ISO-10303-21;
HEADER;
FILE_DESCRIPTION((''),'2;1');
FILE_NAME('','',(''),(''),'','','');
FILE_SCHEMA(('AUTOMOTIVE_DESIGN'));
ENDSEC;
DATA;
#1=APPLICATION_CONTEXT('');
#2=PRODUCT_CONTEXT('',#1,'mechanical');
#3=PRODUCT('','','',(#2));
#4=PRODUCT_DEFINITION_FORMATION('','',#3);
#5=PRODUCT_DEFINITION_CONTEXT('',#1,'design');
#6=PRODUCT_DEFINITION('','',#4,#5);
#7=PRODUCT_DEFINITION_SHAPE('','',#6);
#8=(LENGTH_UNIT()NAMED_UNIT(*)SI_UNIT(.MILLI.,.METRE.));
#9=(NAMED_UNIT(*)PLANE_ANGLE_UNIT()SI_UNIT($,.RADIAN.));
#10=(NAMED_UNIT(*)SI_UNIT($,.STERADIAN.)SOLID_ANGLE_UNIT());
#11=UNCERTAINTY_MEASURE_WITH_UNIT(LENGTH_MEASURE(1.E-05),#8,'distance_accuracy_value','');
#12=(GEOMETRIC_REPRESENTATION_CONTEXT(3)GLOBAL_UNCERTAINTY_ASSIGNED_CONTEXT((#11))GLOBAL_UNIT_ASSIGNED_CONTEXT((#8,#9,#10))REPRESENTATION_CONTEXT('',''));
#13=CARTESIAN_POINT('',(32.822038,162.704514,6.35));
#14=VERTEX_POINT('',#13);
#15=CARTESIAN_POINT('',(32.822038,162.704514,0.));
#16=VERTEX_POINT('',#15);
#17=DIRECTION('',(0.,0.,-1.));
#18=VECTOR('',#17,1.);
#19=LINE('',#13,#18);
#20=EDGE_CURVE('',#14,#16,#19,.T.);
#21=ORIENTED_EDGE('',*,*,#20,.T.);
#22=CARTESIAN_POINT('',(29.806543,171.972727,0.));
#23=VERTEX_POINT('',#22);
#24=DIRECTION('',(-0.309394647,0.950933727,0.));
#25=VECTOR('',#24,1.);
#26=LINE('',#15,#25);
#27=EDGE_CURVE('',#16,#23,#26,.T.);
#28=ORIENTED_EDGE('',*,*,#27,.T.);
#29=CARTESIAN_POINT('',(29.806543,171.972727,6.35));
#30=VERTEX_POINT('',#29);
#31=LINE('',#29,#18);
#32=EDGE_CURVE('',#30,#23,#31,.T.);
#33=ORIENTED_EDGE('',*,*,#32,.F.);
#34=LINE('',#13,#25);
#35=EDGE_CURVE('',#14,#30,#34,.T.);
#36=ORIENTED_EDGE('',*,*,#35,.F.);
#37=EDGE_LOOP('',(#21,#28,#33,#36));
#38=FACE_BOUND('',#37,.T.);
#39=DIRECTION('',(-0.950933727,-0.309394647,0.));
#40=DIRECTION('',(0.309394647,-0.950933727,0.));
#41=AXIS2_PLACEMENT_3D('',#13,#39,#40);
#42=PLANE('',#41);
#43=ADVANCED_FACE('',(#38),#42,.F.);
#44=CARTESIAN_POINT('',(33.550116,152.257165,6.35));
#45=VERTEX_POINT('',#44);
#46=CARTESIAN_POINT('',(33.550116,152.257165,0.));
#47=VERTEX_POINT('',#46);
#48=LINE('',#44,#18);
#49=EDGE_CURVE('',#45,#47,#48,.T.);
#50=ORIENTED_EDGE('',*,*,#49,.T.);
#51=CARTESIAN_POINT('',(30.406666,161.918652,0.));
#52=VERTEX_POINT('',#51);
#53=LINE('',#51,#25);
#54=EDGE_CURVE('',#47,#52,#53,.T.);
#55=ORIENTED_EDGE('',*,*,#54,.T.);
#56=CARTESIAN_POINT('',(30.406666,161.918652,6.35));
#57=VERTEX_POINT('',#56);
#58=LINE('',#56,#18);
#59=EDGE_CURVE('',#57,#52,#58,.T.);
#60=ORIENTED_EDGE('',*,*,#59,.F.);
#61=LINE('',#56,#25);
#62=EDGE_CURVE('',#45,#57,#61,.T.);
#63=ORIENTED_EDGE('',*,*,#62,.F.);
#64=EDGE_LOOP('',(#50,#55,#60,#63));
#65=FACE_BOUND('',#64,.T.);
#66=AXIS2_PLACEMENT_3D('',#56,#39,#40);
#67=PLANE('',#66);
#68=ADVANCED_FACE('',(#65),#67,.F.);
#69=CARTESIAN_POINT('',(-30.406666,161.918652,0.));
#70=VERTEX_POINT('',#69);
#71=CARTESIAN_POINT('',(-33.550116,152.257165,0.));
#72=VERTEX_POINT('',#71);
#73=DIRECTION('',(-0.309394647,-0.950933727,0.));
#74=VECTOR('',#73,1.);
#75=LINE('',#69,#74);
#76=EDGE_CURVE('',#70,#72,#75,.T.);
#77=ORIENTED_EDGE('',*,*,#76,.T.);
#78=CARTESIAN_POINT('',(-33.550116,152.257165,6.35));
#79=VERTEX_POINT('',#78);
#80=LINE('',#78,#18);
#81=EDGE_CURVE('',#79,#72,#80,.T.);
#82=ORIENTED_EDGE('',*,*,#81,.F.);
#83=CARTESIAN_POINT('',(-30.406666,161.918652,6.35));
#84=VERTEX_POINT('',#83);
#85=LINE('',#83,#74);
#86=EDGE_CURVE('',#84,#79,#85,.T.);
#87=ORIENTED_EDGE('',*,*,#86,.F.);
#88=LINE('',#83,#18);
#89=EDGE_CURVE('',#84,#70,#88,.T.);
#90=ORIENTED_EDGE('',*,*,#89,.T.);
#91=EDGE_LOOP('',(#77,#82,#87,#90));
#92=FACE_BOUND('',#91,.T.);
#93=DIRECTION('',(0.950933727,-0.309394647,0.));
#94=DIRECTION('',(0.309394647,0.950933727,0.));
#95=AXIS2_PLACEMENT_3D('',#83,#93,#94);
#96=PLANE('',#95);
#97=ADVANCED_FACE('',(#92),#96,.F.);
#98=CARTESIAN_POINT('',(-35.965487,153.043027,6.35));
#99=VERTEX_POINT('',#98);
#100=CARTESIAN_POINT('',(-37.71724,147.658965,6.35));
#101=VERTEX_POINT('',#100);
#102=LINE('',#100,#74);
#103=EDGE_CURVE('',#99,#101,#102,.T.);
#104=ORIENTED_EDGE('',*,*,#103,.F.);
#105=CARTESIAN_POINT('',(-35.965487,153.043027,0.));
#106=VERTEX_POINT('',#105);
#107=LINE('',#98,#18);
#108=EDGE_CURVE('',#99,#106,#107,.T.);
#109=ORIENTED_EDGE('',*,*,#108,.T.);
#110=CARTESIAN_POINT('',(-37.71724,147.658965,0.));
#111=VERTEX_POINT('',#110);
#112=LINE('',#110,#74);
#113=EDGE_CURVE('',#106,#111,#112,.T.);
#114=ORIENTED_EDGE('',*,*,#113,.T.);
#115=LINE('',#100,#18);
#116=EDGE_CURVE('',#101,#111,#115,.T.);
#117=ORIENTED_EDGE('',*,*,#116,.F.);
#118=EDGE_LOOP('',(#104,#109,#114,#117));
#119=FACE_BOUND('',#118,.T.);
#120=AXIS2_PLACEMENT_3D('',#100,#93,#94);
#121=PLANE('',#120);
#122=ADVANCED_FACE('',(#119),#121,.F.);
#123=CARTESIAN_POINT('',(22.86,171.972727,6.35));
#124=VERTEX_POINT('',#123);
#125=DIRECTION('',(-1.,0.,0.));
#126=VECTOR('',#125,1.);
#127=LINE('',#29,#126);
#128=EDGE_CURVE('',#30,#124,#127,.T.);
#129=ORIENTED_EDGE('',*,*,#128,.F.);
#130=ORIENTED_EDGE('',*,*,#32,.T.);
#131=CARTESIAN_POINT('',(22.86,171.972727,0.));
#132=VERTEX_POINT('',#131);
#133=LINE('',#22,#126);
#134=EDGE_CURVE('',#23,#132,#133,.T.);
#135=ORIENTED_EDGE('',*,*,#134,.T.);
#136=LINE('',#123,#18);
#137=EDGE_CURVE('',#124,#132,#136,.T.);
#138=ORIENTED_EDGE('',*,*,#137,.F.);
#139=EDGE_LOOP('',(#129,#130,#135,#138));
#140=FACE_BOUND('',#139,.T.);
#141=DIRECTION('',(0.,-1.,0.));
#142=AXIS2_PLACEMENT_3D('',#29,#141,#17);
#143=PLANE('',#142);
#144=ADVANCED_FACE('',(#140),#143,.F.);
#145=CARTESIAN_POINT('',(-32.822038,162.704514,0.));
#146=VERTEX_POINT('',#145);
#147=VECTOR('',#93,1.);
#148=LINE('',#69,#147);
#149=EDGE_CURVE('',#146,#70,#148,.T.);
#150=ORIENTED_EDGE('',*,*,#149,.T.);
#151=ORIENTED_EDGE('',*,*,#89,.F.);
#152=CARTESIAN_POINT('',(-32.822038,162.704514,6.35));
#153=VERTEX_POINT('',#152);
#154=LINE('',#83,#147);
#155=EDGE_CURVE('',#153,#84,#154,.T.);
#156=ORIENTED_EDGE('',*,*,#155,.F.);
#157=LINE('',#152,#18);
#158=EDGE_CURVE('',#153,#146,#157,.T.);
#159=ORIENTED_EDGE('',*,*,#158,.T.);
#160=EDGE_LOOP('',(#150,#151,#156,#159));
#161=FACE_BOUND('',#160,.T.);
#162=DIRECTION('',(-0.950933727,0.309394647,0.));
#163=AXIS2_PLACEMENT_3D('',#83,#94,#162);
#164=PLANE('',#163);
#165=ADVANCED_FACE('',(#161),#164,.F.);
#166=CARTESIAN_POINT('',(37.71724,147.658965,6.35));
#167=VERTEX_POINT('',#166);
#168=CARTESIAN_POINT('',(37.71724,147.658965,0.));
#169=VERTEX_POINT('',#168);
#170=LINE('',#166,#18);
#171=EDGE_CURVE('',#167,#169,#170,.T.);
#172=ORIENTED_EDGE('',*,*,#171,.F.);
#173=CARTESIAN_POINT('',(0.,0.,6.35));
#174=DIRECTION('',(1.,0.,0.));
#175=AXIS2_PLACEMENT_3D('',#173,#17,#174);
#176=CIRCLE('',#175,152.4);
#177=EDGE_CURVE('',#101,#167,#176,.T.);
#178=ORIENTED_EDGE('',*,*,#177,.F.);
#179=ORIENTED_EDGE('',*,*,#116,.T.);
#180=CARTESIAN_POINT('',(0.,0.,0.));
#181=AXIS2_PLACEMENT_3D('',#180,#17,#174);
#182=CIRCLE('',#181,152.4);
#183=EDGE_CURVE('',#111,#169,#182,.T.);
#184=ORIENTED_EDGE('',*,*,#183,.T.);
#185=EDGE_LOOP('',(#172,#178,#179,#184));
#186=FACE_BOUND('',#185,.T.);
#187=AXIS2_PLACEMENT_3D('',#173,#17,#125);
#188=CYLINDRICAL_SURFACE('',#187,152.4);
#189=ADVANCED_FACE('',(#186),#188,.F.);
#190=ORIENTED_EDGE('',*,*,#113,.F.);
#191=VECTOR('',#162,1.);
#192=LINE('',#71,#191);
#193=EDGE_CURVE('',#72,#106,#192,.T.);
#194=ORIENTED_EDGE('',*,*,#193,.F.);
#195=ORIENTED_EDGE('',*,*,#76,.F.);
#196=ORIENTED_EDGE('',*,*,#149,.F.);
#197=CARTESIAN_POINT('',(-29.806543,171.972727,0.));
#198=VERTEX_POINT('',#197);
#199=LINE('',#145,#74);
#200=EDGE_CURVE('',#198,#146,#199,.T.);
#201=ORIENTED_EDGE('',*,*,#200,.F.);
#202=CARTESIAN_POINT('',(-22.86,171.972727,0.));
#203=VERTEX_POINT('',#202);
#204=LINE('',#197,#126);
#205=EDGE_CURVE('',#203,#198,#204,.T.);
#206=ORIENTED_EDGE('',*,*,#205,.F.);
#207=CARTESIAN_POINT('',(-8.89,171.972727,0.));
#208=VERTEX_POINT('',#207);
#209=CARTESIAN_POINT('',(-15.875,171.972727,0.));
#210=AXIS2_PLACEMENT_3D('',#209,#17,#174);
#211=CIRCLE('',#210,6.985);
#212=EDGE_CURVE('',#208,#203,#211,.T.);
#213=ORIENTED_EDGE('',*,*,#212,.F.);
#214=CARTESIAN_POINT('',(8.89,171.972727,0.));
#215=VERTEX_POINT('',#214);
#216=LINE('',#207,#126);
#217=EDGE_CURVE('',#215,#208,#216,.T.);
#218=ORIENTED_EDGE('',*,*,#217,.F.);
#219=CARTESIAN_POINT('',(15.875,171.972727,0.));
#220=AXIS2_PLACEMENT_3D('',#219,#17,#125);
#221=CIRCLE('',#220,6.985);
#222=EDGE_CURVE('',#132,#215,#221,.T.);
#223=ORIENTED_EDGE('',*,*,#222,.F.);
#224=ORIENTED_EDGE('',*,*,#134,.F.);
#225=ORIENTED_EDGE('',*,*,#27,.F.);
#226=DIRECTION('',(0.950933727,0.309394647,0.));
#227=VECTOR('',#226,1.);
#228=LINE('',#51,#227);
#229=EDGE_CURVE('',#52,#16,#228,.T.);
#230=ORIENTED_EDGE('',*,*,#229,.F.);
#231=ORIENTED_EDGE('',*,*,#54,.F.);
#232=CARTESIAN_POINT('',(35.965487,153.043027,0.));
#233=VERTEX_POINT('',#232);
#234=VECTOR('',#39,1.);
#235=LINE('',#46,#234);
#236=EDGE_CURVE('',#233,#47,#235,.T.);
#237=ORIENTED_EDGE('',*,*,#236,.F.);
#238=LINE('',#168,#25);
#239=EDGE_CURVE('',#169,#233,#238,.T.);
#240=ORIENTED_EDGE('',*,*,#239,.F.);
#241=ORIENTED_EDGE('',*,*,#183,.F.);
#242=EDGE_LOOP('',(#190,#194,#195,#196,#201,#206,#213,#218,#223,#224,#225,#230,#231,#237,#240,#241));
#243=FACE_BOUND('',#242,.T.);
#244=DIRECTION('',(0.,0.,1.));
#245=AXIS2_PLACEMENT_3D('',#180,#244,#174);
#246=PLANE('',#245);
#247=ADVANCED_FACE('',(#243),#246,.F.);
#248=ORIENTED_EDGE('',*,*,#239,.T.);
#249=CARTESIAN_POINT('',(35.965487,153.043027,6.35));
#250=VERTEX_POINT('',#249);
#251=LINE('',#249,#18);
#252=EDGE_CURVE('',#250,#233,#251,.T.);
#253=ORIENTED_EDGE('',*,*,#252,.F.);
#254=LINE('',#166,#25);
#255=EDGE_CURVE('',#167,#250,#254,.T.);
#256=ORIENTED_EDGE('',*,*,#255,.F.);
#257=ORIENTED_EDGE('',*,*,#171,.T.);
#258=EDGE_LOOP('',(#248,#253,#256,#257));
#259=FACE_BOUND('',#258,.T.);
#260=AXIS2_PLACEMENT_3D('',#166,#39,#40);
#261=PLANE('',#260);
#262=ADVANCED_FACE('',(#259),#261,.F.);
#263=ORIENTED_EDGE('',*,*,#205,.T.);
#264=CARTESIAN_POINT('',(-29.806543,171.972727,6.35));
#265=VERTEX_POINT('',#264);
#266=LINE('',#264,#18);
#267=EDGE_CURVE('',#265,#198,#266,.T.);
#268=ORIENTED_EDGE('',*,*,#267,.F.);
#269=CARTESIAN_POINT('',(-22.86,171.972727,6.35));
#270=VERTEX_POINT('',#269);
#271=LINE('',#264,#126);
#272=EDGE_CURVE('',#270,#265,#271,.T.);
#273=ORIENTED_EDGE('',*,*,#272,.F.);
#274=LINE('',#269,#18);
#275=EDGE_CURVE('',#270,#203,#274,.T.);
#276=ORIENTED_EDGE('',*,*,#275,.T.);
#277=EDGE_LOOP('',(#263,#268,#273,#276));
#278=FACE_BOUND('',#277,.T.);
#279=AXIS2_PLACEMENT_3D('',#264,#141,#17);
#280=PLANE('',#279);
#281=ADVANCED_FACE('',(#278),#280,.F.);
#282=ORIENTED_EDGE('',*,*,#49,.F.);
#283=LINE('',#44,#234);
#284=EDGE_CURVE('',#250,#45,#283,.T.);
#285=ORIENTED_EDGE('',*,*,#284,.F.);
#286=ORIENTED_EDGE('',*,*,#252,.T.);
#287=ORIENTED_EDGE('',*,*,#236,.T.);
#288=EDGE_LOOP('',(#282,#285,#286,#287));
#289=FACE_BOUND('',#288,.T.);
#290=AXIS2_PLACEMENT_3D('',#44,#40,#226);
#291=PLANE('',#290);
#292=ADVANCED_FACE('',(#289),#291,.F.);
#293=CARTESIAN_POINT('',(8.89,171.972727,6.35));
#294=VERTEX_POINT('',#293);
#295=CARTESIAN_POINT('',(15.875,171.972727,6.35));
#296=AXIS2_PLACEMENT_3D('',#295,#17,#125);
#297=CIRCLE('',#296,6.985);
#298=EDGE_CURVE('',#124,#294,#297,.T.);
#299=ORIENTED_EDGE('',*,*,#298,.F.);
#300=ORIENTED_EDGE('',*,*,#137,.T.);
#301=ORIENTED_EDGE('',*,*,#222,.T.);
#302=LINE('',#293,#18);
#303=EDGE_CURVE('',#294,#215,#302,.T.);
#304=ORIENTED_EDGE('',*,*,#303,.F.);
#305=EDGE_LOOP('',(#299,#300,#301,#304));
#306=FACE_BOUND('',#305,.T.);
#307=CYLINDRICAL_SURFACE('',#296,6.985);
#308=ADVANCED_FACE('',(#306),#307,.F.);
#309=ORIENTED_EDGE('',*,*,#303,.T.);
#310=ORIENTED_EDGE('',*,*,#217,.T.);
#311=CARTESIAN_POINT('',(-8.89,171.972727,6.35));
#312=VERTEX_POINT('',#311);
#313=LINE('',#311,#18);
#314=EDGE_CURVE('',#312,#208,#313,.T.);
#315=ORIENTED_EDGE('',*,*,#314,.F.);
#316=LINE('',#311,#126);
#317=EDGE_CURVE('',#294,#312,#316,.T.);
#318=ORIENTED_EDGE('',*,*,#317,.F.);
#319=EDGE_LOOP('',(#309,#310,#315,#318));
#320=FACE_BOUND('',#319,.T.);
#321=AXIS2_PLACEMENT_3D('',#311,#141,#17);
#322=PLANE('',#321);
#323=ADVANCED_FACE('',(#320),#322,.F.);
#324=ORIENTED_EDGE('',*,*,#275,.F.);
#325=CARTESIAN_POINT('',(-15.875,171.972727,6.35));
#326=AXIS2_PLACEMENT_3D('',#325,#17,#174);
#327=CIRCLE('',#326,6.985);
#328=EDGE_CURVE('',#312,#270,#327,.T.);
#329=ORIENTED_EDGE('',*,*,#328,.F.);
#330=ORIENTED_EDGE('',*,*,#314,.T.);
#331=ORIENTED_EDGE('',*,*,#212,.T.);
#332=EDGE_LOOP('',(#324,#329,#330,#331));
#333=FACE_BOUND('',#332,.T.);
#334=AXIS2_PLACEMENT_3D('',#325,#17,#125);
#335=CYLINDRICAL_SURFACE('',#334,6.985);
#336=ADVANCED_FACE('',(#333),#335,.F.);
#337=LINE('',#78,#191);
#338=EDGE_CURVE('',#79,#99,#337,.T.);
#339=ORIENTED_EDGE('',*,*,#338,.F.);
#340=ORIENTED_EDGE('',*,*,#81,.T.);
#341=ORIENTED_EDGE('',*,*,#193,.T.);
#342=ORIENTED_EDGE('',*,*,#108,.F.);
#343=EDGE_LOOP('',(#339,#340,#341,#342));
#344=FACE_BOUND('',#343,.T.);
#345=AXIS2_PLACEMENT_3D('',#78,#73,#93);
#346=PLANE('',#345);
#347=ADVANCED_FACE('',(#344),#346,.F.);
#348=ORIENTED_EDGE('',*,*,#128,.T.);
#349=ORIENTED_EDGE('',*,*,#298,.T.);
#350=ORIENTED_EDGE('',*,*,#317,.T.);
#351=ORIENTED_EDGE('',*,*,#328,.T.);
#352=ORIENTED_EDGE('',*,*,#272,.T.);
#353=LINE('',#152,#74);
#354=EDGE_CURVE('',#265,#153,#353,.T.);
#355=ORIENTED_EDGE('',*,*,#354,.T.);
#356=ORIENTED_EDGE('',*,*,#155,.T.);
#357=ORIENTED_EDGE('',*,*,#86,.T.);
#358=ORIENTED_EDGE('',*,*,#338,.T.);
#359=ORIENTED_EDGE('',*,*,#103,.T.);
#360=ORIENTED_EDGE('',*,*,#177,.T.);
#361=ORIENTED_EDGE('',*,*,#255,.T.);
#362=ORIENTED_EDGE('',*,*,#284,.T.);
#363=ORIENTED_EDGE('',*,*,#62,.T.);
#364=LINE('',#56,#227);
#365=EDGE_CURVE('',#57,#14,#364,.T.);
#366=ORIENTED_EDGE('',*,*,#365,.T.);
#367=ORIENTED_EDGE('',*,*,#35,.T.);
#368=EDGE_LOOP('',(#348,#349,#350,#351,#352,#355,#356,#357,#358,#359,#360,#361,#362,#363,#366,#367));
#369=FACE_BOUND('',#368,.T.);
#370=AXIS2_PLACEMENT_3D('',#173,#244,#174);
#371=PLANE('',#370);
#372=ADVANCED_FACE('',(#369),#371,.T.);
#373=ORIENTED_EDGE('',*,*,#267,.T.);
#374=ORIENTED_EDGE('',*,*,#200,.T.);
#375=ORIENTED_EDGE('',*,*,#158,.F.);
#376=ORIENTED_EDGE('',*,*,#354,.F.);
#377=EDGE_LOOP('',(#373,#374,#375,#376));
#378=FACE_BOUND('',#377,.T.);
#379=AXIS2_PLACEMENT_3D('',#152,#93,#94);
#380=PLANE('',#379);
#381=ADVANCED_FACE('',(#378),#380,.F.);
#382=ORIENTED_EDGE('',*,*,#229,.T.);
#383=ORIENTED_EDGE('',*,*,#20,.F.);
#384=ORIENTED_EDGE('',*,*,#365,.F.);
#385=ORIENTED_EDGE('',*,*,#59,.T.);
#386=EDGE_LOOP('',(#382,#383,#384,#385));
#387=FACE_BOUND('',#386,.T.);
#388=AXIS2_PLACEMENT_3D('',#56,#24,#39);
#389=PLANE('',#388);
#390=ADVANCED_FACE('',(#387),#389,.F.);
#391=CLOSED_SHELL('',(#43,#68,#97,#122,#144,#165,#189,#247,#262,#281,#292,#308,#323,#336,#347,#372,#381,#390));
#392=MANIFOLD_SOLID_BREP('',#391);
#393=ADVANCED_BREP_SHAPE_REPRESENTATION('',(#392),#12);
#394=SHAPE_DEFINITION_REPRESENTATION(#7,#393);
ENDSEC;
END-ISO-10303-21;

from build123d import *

# Parameters (mm, degrees)
BOSS_EXTRUDE2_DEPTH = 6.35


with BuildPart() as part:
    # Sketch1 → Boss-Extrude2 (new body)
    with BuildSketch(Plane.XY):
        with BuildLine():
            Line((37.717239544, 147.658964649), (35.965487423, 153.043027332))
            Line((35.965487423, 153.043027332), (33.550115758, 152.257164929))
            Line((33.550115758, 152.257164929), (30.406666146, 161.918651592))
            Line((30.406666146, 161.918651592), (32.822037812, 162.704513995))
            Line((32.822037812, 162.704513995), (29.806543337, 171.972726708))
            Line((29.806543337, 171.972726708), (22.86, 171.972726708))
            ThreePointArc((22.86, 171.972726708), (15.875, 164.987726708), (8.89, 171.972726708))
            Line((8.89, 171.972726708), (-8.89, 171.972726708))
            ThreePointArc((-8.89, 171.972726708), (-15.875, 164.987726708), (-22.86, 171.972726708))
            Line((-22.86, 171.972726708), (-29.806543337, 171.972726708))
            Line((-29.806543337, 171.972726708), (-32.822037812, 162.704513995))
            Line((-32.822037812, 162.704513995), (-30.406666146, 161.918651592))
            Line((-30.406666146, 161.918651592), (-33.550115758, 152.257164929))
            Line((-33.550115758, 152.257164929), (-35.965487423, 153.043027332))
            Line((-35.965487423, 153.043027332), (-37.717239544, 147.658964649))
            ThreePointArc((-37.717239544, 147.658964649), (0, 152.4), (37.717239544, 147.658964649))
        make_face()
    extrude(amount=BOSS_EXTRUDE2_DEPTH)


solid = part.part
